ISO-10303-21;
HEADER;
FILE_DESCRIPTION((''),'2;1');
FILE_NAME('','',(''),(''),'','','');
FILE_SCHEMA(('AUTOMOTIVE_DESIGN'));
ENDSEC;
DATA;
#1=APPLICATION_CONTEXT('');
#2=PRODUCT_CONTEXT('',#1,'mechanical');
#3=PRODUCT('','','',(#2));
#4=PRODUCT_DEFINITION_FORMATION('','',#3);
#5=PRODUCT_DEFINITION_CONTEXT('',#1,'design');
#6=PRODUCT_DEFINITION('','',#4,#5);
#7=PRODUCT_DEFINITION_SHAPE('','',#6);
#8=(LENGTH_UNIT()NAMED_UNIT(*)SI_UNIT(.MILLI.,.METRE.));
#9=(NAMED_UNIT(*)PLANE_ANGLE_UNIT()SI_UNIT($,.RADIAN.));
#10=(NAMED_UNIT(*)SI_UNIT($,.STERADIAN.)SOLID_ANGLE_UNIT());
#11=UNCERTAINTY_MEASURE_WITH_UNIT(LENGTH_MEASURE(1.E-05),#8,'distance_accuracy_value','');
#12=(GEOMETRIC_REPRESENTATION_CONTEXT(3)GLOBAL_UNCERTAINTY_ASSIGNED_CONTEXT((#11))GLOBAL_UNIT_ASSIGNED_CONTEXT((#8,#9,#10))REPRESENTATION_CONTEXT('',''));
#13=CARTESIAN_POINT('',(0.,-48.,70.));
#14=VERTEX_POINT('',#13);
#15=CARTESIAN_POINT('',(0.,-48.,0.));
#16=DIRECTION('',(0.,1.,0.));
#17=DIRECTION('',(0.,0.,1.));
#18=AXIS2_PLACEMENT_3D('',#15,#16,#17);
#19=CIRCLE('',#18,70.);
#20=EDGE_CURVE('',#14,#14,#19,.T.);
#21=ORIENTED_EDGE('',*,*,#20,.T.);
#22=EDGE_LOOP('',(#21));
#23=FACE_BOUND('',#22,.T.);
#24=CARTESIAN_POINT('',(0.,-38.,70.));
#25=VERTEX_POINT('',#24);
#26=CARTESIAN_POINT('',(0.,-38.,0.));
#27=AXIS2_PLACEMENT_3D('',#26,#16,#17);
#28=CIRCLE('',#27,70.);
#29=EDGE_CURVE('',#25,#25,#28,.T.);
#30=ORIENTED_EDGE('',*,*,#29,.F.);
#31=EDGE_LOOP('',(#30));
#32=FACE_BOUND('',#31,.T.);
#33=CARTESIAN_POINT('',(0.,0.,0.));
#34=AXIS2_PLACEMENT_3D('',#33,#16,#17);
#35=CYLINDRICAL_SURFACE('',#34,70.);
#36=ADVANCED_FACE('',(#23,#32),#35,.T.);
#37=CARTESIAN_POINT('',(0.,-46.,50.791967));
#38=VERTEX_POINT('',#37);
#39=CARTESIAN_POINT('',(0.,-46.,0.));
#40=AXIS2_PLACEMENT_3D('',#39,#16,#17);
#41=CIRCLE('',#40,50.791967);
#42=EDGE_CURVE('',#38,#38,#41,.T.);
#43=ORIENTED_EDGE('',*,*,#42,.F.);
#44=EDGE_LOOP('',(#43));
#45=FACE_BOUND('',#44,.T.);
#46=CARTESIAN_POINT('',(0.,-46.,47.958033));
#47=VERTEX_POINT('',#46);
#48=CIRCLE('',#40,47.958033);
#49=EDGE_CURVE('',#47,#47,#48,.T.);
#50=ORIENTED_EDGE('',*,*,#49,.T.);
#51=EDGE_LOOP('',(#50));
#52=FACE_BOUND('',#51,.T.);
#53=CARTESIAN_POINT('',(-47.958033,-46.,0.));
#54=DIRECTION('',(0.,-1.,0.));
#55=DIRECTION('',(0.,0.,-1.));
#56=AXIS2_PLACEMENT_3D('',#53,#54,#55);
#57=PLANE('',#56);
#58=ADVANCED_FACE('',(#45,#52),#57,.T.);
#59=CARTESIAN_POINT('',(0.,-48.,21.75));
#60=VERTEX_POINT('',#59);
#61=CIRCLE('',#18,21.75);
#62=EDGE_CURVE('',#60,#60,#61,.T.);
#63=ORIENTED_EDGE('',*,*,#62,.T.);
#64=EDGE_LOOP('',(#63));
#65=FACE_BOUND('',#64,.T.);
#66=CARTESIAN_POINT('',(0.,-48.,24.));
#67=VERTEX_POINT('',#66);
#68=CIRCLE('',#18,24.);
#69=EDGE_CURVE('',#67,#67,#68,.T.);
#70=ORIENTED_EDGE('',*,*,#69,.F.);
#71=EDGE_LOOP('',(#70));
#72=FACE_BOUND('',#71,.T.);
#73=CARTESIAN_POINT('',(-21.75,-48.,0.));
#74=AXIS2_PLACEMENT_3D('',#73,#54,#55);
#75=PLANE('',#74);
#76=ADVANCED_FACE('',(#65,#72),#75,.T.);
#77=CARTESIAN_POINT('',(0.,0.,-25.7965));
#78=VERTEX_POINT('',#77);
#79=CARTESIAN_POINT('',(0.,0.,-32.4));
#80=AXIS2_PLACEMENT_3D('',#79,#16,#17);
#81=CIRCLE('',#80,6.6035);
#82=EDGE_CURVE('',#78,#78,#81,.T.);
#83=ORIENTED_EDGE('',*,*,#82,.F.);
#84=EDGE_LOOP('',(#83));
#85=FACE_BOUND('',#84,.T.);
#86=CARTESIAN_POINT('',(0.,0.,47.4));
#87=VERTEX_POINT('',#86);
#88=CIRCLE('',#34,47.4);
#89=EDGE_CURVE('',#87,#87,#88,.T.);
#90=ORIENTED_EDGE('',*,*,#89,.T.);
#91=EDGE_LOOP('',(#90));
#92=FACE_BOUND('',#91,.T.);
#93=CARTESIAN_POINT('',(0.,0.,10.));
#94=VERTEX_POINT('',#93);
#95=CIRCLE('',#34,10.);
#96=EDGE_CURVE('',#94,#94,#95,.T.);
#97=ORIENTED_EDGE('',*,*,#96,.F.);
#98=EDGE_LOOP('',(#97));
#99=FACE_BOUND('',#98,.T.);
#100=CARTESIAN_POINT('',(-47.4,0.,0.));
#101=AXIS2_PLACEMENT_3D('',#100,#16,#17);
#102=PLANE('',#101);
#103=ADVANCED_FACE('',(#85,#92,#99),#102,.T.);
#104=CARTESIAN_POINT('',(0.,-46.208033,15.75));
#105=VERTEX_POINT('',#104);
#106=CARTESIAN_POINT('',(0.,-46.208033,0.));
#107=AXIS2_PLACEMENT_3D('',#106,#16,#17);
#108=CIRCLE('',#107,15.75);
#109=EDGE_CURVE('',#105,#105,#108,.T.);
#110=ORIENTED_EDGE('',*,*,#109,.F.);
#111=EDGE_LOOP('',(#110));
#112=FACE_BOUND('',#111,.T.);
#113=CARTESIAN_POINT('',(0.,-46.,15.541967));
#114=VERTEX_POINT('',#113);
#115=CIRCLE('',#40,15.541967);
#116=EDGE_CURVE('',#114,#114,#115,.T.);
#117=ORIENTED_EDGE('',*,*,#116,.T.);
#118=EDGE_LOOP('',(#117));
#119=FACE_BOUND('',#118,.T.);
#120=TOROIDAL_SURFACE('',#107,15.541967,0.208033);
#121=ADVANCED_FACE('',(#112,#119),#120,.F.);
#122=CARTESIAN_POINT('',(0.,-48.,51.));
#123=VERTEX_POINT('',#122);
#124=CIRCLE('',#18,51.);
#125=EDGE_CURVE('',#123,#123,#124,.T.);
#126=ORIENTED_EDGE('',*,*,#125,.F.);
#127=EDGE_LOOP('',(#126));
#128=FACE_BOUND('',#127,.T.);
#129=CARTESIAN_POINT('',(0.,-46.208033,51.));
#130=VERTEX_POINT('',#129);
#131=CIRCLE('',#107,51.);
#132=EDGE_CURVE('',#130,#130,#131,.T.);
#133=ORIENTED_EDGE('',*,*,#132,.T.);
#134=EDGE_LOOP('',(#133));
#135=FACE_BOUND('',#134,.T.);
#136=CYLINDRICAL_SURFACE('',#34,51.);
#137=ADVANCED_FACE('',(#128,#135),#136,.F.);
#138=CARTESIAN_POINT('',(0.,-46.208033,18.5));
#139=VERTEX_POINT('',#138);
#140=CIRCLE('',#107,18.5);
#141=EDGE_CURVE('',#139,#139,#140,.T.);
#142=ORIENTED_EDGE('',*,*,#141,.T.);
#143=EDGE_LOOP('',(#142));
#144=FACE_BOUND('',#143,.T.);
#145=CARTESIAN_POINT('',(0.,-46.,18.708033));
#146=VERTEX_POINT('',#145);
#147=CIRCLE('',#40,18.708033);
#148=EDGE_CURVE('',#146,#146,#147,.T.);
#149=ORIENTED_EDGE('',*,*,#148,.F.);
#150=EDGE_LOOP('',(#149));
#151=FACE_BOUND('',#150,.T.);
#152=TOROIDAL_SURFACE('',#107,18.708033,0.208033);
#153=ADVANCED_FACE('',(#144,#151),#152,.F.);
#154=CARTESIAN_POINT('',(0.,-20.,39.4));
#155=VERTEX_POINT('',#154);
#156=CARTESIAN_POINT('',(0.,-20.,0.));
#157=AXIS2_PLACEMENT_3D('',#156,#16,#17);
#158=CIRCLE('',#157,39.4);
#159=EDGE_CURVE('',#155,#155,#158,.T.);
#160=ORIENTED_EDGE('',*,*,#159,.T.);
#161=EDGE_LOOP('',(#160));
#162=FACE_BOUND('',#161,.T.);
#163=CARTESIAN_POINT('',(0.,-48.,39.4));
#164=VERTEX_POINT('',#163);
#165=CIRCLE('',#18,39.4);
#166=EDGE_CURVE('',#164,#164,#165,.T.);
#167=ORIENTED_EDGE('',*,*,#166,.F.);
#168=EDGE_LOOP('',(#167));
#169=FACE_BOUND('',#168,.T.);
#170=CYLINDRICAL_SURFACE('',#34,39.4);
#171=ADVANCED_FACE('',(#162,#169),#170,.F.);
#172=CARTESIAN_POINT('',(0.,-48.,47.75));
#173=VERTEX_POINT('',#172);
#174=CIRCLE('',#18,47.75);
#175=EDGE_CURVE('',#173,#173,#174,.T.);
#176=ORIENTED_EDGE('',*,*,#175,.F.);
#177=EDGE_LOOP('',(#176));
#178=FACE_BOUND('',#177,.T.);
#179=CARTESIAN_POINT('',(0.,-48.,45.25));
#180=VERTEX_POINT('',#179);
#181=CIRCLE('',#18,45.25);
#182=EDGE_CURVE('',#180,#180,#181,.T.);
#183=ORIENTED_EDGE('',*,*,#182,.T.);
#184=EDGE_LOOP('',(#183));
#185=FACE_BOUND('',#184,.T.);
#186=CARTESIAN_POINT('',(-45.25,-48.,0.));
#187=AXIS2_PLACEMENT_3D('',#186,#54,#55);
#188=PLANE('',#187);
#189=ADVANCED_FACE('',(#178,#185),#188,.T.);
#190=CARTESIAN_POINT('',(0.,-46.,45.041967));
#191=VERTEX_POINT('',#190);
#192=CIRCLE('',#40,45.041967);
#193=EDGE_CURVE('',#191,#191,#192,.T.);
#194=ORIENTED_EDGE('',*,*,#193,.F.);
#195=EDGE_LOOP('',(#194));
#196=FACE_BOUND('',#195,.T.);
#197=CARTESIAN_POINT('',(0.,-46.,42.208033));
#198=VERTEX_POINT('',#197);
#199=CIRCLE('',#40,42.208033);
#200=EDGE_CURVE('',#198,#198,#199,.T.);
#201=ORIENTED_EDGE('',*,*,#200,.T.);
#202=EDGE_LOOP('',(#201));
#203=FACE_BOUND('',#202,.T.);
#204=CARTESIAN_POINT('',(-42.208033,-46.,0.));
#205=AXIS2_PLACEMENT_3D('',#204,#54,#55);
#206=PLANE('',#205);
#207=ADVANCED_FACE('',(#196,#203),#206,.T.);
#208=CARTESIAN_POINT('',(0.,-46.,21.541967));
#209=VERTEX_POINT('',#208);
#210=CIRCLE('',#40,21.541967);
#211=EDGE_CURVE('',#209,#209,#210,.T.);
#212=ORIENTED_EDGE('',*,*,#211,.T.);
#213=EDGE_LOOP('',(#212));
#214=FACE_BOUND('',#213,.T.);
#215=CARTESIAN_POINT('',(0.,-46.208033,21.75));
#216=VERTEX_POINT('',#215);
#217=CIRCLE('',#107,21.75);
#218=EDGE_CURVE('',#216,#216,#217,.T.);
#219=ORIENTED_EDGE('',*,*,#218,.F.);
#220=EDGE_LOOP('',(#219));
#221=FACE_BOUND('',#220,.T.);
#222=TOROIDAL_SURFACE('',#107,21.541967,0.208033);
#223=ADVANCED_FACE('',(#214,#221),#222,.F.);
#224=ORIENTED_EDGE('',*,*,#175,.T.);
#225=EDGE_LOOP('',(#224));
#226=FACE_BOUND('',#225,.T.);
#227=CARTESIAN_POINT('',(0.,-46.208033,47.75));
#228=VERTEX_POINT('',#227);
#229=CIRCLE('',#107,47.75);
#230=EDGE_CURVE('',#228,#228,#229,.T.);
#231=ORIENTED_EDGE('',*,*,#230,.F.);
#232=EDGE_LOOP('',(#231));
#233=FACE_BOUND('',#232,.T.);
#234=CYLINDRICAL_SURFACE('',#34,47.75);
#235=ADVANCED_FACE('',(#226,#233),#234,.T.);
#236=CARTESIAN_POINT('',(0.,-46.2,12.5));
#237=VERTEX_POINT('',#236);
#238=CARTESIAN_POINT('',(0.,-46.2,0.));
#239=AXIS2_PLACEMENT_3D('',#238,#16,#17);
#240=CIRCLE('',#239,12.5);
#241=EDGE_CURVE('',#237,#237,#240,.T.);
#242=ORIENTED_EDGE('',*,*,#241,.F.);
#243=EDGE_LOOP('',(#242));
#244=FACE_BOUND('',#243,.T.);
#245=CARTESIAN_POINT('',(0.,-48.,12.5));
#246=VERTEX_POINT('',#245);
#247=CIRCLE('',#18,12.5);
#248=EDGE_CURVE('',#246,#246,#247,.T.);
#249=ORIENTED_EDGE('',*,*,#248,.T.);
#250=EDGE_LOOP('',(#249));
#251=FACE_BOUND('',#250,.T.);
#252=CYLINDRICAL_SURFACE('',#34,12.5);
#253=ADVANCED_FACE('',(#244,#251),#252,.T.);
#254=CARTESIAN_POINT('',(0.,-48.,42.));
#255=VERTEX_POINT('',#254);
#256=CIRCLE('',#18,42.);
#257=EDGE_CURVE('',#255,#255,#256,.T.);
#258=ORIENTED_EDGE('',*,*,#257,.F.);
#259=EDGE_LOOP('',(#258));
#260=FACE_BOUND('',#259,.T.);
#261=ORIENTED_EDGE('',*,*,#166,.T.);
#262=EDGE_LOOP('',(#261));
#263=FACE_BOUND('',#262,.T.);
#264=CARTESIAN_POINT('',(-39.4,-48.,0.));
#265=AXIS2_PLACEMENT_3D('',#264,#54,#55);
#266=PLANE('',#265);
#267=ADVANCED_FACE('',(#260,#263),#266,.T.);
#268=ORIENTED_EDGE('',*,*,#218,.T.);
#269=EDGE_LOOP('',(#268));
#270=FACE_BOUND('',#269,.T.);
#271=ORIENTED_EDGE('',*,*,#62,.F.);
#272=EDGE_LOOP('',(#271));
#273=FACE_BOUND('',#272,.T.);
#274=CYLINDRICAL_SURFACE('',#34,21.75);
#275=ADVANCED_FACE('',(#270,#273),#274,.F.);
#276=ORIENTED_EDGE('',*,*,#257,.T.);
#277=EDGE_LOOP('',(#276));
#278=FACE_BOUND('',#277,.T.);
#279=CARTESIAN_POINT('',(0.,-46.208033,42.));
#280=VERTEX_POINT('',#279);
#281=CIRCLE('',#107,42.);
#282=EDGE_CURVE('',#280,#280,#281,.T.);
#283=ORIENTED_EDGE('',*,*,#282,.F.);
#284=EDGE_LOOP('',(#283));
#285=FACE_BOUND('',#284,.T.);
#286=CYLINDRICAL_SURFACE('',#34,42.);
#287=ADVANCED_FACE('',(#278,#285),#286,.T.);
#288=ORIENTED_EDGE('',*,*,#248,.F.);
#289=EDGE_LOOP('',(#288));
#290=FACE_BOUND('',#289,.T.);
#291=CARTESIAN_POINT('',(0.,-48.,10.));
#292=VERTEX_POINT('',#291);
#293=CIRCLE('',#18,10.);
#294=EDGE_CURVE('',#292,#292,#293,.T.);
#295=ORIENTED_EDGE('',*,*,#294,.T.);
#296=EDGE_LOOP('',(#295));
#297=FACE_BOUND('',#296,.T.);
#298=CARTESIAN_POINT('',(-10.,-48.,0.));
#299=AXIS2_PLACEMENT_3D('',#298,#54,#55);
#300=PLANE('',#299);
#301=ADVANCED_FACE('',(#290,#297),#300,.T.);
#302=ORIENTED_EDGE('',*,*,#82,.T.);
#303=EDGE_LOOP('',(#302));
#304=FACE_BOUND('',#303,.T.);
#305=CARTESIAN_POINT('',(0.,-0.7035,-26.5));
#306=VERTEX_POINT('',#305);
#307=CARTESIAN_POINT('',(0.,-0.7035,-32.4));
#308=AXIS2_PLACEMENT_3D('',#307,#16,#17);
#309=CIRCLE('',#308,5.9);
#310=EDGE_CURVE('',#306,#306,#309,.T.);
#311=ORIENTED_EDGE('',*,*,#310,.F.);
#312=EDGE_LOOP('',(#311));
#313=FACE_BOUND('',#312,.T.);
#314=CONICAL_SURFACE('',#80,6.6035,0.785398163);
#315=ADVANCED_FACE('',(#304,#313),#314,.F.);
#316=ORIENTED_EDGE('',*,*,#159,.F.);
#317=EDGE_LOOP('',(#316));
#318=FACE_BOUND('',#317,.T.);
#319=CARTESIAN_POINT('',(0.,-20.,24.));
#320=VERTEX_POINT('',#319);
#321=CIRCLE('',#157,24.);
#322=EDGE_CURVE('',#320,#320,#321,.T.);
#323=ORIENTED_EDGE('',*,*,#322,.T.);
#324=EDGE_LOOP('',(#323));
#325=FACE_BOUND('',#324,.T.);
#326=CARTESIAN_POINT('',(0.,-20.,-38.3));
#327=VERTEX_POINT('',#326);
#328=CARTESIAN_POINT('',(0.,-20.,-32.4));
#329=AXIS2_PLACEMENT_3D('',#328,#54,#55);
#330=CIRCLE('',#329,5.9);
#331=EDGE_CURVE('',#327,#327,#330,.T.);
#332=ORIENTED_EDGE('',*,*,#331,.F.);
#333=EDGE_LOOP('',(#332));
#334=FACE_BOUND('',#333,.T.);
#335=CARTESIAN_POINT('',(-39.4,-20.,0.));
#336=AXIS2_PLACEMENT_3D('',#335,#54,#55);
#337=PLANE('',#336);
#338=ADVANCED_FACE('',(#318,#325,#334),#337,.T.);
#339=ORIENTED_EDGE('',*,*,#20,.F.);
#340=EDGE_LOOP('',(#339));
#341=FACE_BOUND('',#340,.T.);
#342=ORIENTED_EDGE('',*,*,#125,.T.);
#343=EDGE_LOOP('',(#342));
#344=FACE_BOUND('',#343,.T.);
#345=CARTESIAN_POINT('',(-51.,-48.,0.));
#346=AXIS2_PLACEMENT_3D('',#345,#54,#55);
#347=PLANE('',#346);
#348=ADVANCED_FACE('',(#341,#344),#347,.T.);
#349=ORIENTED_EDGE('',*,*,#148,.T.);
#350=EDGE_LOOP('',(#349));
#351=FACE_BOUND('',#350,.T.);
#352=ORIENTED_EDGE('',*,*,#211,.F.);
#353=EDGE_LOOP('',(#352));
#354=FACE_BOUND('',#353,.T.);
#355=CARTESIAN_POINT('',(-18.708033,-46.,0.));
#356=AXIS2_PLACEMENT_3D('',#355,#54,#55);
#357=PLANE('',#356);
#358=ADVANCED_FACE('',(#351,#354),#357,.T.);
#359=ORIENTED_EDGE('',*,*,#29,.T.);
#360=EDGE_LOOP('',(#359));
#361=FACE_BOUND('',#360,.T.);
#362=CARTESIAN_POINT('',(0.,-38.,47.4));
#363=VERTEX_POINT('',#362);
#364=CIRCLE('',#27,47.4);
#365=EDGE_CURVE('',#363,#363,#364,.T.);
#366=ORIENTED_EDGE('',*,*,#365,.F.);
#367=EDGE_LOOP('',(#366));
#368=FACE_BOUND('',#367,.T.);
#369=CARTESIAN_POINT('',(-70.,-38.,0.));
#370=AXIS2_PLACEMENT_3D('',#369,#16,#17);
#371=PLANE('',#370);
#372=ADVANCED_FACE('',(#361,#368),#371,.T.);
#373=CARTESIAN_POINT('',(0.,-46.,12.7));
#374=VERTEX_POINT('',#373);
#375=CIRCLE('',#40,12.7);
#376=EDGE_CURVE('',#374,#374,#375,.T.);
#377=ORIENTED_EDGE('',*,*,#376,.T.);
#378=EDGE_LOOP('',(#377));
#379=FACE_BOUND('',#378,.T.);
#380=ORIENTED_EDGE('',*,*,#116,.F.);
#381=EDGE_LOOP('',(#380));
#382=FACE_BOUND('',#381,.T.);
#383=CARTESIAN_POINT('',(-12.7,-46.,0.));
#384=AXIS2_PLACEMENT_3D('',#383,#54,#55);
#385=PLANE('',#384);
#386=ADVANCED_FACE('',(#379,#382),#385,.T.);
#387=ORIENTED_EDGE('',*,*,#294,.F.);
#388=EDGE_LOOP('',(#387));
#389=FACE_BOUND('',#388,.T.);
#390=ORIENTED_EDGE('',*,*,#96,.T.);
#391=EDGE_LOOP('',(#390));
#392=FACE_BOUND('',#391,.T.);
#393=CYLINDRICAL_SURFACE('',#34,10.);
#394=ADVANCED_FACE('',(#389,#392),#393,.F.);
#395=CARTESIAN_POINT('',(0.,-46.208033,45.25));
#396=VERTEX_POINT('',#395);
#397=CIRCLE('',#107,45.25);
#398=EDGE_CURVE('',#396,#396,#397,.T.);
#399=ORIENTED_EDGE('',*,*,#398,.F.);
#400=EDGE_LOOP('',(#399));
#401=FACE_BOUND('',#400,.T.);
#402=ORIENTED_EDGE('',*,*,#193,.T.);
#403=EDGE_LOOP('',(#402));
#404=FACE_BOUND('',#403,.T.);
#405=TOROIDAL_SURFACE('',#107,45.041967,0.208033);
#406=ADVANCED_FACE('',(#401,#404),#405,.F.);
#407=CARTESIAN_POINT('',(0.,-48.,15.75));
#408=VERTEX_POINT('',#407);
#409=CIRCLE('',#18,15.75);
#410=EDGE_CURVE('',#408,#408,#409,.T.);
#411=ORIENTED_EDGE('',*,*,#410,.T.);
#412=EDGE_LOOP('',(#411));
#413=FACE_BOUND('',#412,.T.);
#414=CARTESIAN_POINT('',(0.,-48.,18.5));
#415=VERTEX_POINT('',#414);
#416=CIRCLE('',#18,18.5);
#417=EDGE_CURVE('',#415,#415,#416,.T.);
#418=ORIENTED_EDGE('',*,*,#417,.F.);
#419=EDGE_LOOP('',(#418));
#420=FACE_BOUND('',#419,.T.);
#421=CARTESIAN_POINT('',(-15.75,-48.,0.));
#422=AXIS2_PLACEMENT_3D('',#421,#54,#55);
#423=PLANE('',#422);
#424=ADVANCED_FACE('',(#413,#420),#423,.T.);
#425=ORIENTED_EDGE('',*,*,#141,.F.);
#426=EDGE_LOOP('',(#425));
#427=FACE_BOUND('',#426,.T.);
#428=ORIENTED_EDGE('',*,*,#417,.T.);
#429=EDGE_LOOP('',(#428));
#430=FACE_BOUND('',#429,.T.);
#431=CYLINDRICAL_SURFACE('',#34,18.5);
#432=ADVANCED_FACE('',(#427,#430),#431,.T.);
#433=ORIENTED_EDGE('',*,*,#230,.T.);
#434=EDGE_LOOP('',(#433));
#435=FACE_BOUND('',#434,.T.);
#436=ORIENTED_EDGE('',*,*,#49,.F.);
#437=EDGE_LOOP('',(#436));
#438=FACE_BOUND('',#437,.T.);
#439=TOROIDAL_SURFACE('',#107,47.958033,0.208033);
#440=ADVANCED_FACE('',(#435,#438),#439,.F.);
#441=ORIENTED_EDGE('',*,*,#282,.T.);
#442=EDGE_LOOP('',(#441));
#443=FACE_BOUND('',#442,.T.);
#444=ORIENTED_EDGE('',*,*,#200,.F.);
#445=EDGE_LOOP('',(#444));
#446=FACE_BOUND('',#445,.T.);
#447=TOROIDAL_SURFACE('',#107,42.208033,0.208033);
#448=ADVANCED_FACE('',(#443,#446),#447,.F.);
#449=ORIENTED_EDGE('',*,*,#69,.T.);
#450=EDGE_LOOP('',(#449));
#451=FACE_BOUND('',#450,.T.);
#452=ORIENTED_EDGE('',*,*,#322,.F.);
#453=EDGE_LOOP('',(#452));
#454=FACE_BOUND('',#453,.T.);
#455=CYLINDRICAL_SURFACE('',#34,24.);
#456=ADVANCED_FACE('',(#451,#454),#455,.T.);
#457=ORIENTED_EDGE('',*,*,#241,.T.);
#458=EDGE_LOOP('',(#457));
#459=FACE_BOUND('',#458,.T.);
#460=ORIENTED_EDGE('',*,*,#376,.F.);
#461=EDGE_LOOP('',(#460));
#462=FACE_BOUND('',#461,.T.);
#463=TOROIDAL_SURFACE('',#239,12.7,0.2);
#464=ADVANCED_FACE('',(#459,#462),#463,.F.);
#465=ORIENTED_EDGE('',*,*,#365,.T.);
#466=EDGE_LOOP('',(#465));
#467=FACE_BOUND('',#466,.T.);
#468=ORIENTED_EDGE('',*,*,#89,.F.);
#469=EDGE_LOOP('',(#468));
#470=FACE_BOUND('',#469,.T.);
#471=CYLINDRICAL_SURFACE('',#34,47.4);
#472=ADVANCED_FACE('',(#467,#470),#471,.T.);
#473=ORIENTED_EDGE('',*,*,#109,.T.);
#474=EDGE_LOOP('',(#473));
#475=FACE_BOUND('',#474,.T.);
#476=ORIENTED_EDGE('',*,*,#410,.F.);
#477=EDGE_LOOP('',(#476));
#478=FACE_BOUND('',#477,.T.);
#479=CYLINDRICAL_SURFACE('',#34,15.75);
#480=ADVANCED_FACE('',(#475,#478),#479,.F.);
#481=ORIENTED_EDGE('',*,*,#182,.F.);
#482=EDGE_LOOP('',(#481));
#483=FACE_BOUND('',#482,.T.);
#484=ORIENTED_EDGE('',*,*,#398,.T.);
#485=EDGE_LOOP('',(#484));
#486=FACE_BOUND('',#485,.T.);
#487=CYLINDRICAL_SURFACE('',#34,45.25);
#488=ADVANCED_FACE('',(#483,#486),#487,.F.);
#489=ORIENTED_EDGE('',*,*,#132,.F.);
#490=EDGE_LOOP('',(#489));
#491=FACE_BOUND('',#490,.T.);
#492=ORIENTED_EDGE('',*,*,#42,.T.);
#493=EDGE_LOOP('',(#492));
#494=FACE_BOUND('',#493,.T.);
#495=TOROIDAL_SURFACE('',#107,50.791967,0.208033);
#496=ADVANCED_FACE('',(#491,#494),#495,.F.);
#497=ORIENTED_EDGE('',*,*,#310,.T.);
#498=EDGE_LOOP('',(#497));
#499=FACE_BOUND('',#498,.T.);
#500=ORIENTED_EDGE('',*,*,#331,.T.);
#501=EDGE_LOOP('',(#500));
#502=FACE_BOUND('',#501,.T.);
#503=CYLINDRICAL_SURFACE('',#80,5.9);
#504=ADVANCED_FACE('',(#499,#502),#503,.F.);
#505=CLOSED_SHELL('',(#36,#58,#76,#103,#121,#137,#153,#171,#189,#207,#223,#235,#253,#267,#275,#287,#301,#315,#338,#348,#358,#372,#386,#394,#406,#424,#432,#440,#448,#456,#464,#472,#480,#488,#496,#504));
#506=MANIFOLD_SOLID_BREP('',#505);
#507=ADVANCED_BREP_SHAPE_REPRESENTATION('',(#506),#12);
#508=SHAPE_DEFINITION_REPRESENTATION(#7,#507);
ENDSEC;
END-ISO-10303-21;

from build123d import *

# Parameters (mm, degrees)
G1_4_TAPPED_HOLE1_D           = 11.8
G1_4_TAPPED_HOLE1_CSINK_D     = 13.207
G1_4_TAPPED_HOLE1_CSINK_ANGLE = 90


with BuildPart() as part:
    # Sketch1 → Revolve1 (revolve)
    with BuildSketch(Plane.XY, mode=Mode.PRIVATE) as revolve1_sk:
        with BuildLine():
            Line((-10, 0), (-10, -48))
            Line((-10, -48), (-12.5, -48))
            Line((-12.5, -48), (-12.5, -46.2))
            ThreePointArc((-12.5, -46.2), (-12.558578644, -46.058578644), (-12.7, -46))
            Line((-12.7, -46), (-15.541966742, -46))
            ThreePointArc((-15.541966742, -46), (-15.689068469, -46.060931531), (-15.75, -46.208033258))
            Line((-15.75, -46.208033258), (-15.75, -48))
            Line((-15.75, -48), (-18.5, -48))
            Line((-18.5, -48), (-18.5, -46.208033258))
            ThreePointArc((-18.5, -46.208033258), (-18.560931531, -46.060931531), (-18.708033258, -46))
            Line((-18.708033258, -46), (-21.541966742, -46))
            ThreePointArc((-21.541966742, -46), (-21.689068469, -46.060931531), (-21.75, -46.208033258))
            Line((-21.75, -46.208033258), (-21.75, -48))
            Line((-21.75, -48), (-24, -48))
            Line((-24, -48), (-24, -20))
            Line((-24, -20), (-39.4, -20))
            Line((-39.4, -20), (-39.4, -48))
            Line((-39.4, -48), (-42, -48))
            Line((-42, -48), (-42, -46.208033258))
            ThreePointArc((-42, -46.208033258), (-42.060931531, -46.060931531), (-42.208033258, -46))
            Line((-42.208033258, -46), (-45.041966742, -46))
            ThreePointArc((-45.041966742, -46), (-45.189068469, -46.060931531), (-45.25, -46.208033258))
            Line((-45.25, -46.208033258), (-45.25, -48))
            Line((-45.25, -48), (-47.75, -48))
            Line((-47.75, -48), (-47.75, -46.208033258))
            ThreePointArc((-47.75, -46.208033258), (-47.810931531, -46.060931531), (-47.958033258, -46))
            Line((-47.958033258, -46), (-50.791966742, -46))
            ThreePointArc((-50.791966742, -46), (-50.939068469, -46.060931531), (-51, -46.208033258))
            Line((-51, -46.208033258), (-51, -48))
            Line((-51, -48), (-70, -48))
            Line((-70, -48), (-70, -38))
            Line((-70, -38), (-47.4, -38))
            Line((-47.4, -38), (-47.4, 0))
            Line((-47.4, 0), (-10, 0))
        make_face()
    revolve(revolve1_sk.sketch.rotate(Axis((0, 0, 0), (0, -1, 0)), 270), axis=Axis((0, 0, 0), (0, -1, 0)))

    # G1/4 Tapped Hole1 (through all)
    with Locations(Plane(origin=(0, 0, 0), x_dir=(1, 0, 0), z_dir=(0, 1, 0))):
        with Locations((0, 32.4)):
            CounterSinkHole(G1_4_TAPPED_HOLE1_D / 2, G1_4_TAPPED_HOLE1_CSINK_D / 2, counter_sink_angle=G1_4_TAPPED_HOLE1_CSINK_ANGLE)


solid = part.part
